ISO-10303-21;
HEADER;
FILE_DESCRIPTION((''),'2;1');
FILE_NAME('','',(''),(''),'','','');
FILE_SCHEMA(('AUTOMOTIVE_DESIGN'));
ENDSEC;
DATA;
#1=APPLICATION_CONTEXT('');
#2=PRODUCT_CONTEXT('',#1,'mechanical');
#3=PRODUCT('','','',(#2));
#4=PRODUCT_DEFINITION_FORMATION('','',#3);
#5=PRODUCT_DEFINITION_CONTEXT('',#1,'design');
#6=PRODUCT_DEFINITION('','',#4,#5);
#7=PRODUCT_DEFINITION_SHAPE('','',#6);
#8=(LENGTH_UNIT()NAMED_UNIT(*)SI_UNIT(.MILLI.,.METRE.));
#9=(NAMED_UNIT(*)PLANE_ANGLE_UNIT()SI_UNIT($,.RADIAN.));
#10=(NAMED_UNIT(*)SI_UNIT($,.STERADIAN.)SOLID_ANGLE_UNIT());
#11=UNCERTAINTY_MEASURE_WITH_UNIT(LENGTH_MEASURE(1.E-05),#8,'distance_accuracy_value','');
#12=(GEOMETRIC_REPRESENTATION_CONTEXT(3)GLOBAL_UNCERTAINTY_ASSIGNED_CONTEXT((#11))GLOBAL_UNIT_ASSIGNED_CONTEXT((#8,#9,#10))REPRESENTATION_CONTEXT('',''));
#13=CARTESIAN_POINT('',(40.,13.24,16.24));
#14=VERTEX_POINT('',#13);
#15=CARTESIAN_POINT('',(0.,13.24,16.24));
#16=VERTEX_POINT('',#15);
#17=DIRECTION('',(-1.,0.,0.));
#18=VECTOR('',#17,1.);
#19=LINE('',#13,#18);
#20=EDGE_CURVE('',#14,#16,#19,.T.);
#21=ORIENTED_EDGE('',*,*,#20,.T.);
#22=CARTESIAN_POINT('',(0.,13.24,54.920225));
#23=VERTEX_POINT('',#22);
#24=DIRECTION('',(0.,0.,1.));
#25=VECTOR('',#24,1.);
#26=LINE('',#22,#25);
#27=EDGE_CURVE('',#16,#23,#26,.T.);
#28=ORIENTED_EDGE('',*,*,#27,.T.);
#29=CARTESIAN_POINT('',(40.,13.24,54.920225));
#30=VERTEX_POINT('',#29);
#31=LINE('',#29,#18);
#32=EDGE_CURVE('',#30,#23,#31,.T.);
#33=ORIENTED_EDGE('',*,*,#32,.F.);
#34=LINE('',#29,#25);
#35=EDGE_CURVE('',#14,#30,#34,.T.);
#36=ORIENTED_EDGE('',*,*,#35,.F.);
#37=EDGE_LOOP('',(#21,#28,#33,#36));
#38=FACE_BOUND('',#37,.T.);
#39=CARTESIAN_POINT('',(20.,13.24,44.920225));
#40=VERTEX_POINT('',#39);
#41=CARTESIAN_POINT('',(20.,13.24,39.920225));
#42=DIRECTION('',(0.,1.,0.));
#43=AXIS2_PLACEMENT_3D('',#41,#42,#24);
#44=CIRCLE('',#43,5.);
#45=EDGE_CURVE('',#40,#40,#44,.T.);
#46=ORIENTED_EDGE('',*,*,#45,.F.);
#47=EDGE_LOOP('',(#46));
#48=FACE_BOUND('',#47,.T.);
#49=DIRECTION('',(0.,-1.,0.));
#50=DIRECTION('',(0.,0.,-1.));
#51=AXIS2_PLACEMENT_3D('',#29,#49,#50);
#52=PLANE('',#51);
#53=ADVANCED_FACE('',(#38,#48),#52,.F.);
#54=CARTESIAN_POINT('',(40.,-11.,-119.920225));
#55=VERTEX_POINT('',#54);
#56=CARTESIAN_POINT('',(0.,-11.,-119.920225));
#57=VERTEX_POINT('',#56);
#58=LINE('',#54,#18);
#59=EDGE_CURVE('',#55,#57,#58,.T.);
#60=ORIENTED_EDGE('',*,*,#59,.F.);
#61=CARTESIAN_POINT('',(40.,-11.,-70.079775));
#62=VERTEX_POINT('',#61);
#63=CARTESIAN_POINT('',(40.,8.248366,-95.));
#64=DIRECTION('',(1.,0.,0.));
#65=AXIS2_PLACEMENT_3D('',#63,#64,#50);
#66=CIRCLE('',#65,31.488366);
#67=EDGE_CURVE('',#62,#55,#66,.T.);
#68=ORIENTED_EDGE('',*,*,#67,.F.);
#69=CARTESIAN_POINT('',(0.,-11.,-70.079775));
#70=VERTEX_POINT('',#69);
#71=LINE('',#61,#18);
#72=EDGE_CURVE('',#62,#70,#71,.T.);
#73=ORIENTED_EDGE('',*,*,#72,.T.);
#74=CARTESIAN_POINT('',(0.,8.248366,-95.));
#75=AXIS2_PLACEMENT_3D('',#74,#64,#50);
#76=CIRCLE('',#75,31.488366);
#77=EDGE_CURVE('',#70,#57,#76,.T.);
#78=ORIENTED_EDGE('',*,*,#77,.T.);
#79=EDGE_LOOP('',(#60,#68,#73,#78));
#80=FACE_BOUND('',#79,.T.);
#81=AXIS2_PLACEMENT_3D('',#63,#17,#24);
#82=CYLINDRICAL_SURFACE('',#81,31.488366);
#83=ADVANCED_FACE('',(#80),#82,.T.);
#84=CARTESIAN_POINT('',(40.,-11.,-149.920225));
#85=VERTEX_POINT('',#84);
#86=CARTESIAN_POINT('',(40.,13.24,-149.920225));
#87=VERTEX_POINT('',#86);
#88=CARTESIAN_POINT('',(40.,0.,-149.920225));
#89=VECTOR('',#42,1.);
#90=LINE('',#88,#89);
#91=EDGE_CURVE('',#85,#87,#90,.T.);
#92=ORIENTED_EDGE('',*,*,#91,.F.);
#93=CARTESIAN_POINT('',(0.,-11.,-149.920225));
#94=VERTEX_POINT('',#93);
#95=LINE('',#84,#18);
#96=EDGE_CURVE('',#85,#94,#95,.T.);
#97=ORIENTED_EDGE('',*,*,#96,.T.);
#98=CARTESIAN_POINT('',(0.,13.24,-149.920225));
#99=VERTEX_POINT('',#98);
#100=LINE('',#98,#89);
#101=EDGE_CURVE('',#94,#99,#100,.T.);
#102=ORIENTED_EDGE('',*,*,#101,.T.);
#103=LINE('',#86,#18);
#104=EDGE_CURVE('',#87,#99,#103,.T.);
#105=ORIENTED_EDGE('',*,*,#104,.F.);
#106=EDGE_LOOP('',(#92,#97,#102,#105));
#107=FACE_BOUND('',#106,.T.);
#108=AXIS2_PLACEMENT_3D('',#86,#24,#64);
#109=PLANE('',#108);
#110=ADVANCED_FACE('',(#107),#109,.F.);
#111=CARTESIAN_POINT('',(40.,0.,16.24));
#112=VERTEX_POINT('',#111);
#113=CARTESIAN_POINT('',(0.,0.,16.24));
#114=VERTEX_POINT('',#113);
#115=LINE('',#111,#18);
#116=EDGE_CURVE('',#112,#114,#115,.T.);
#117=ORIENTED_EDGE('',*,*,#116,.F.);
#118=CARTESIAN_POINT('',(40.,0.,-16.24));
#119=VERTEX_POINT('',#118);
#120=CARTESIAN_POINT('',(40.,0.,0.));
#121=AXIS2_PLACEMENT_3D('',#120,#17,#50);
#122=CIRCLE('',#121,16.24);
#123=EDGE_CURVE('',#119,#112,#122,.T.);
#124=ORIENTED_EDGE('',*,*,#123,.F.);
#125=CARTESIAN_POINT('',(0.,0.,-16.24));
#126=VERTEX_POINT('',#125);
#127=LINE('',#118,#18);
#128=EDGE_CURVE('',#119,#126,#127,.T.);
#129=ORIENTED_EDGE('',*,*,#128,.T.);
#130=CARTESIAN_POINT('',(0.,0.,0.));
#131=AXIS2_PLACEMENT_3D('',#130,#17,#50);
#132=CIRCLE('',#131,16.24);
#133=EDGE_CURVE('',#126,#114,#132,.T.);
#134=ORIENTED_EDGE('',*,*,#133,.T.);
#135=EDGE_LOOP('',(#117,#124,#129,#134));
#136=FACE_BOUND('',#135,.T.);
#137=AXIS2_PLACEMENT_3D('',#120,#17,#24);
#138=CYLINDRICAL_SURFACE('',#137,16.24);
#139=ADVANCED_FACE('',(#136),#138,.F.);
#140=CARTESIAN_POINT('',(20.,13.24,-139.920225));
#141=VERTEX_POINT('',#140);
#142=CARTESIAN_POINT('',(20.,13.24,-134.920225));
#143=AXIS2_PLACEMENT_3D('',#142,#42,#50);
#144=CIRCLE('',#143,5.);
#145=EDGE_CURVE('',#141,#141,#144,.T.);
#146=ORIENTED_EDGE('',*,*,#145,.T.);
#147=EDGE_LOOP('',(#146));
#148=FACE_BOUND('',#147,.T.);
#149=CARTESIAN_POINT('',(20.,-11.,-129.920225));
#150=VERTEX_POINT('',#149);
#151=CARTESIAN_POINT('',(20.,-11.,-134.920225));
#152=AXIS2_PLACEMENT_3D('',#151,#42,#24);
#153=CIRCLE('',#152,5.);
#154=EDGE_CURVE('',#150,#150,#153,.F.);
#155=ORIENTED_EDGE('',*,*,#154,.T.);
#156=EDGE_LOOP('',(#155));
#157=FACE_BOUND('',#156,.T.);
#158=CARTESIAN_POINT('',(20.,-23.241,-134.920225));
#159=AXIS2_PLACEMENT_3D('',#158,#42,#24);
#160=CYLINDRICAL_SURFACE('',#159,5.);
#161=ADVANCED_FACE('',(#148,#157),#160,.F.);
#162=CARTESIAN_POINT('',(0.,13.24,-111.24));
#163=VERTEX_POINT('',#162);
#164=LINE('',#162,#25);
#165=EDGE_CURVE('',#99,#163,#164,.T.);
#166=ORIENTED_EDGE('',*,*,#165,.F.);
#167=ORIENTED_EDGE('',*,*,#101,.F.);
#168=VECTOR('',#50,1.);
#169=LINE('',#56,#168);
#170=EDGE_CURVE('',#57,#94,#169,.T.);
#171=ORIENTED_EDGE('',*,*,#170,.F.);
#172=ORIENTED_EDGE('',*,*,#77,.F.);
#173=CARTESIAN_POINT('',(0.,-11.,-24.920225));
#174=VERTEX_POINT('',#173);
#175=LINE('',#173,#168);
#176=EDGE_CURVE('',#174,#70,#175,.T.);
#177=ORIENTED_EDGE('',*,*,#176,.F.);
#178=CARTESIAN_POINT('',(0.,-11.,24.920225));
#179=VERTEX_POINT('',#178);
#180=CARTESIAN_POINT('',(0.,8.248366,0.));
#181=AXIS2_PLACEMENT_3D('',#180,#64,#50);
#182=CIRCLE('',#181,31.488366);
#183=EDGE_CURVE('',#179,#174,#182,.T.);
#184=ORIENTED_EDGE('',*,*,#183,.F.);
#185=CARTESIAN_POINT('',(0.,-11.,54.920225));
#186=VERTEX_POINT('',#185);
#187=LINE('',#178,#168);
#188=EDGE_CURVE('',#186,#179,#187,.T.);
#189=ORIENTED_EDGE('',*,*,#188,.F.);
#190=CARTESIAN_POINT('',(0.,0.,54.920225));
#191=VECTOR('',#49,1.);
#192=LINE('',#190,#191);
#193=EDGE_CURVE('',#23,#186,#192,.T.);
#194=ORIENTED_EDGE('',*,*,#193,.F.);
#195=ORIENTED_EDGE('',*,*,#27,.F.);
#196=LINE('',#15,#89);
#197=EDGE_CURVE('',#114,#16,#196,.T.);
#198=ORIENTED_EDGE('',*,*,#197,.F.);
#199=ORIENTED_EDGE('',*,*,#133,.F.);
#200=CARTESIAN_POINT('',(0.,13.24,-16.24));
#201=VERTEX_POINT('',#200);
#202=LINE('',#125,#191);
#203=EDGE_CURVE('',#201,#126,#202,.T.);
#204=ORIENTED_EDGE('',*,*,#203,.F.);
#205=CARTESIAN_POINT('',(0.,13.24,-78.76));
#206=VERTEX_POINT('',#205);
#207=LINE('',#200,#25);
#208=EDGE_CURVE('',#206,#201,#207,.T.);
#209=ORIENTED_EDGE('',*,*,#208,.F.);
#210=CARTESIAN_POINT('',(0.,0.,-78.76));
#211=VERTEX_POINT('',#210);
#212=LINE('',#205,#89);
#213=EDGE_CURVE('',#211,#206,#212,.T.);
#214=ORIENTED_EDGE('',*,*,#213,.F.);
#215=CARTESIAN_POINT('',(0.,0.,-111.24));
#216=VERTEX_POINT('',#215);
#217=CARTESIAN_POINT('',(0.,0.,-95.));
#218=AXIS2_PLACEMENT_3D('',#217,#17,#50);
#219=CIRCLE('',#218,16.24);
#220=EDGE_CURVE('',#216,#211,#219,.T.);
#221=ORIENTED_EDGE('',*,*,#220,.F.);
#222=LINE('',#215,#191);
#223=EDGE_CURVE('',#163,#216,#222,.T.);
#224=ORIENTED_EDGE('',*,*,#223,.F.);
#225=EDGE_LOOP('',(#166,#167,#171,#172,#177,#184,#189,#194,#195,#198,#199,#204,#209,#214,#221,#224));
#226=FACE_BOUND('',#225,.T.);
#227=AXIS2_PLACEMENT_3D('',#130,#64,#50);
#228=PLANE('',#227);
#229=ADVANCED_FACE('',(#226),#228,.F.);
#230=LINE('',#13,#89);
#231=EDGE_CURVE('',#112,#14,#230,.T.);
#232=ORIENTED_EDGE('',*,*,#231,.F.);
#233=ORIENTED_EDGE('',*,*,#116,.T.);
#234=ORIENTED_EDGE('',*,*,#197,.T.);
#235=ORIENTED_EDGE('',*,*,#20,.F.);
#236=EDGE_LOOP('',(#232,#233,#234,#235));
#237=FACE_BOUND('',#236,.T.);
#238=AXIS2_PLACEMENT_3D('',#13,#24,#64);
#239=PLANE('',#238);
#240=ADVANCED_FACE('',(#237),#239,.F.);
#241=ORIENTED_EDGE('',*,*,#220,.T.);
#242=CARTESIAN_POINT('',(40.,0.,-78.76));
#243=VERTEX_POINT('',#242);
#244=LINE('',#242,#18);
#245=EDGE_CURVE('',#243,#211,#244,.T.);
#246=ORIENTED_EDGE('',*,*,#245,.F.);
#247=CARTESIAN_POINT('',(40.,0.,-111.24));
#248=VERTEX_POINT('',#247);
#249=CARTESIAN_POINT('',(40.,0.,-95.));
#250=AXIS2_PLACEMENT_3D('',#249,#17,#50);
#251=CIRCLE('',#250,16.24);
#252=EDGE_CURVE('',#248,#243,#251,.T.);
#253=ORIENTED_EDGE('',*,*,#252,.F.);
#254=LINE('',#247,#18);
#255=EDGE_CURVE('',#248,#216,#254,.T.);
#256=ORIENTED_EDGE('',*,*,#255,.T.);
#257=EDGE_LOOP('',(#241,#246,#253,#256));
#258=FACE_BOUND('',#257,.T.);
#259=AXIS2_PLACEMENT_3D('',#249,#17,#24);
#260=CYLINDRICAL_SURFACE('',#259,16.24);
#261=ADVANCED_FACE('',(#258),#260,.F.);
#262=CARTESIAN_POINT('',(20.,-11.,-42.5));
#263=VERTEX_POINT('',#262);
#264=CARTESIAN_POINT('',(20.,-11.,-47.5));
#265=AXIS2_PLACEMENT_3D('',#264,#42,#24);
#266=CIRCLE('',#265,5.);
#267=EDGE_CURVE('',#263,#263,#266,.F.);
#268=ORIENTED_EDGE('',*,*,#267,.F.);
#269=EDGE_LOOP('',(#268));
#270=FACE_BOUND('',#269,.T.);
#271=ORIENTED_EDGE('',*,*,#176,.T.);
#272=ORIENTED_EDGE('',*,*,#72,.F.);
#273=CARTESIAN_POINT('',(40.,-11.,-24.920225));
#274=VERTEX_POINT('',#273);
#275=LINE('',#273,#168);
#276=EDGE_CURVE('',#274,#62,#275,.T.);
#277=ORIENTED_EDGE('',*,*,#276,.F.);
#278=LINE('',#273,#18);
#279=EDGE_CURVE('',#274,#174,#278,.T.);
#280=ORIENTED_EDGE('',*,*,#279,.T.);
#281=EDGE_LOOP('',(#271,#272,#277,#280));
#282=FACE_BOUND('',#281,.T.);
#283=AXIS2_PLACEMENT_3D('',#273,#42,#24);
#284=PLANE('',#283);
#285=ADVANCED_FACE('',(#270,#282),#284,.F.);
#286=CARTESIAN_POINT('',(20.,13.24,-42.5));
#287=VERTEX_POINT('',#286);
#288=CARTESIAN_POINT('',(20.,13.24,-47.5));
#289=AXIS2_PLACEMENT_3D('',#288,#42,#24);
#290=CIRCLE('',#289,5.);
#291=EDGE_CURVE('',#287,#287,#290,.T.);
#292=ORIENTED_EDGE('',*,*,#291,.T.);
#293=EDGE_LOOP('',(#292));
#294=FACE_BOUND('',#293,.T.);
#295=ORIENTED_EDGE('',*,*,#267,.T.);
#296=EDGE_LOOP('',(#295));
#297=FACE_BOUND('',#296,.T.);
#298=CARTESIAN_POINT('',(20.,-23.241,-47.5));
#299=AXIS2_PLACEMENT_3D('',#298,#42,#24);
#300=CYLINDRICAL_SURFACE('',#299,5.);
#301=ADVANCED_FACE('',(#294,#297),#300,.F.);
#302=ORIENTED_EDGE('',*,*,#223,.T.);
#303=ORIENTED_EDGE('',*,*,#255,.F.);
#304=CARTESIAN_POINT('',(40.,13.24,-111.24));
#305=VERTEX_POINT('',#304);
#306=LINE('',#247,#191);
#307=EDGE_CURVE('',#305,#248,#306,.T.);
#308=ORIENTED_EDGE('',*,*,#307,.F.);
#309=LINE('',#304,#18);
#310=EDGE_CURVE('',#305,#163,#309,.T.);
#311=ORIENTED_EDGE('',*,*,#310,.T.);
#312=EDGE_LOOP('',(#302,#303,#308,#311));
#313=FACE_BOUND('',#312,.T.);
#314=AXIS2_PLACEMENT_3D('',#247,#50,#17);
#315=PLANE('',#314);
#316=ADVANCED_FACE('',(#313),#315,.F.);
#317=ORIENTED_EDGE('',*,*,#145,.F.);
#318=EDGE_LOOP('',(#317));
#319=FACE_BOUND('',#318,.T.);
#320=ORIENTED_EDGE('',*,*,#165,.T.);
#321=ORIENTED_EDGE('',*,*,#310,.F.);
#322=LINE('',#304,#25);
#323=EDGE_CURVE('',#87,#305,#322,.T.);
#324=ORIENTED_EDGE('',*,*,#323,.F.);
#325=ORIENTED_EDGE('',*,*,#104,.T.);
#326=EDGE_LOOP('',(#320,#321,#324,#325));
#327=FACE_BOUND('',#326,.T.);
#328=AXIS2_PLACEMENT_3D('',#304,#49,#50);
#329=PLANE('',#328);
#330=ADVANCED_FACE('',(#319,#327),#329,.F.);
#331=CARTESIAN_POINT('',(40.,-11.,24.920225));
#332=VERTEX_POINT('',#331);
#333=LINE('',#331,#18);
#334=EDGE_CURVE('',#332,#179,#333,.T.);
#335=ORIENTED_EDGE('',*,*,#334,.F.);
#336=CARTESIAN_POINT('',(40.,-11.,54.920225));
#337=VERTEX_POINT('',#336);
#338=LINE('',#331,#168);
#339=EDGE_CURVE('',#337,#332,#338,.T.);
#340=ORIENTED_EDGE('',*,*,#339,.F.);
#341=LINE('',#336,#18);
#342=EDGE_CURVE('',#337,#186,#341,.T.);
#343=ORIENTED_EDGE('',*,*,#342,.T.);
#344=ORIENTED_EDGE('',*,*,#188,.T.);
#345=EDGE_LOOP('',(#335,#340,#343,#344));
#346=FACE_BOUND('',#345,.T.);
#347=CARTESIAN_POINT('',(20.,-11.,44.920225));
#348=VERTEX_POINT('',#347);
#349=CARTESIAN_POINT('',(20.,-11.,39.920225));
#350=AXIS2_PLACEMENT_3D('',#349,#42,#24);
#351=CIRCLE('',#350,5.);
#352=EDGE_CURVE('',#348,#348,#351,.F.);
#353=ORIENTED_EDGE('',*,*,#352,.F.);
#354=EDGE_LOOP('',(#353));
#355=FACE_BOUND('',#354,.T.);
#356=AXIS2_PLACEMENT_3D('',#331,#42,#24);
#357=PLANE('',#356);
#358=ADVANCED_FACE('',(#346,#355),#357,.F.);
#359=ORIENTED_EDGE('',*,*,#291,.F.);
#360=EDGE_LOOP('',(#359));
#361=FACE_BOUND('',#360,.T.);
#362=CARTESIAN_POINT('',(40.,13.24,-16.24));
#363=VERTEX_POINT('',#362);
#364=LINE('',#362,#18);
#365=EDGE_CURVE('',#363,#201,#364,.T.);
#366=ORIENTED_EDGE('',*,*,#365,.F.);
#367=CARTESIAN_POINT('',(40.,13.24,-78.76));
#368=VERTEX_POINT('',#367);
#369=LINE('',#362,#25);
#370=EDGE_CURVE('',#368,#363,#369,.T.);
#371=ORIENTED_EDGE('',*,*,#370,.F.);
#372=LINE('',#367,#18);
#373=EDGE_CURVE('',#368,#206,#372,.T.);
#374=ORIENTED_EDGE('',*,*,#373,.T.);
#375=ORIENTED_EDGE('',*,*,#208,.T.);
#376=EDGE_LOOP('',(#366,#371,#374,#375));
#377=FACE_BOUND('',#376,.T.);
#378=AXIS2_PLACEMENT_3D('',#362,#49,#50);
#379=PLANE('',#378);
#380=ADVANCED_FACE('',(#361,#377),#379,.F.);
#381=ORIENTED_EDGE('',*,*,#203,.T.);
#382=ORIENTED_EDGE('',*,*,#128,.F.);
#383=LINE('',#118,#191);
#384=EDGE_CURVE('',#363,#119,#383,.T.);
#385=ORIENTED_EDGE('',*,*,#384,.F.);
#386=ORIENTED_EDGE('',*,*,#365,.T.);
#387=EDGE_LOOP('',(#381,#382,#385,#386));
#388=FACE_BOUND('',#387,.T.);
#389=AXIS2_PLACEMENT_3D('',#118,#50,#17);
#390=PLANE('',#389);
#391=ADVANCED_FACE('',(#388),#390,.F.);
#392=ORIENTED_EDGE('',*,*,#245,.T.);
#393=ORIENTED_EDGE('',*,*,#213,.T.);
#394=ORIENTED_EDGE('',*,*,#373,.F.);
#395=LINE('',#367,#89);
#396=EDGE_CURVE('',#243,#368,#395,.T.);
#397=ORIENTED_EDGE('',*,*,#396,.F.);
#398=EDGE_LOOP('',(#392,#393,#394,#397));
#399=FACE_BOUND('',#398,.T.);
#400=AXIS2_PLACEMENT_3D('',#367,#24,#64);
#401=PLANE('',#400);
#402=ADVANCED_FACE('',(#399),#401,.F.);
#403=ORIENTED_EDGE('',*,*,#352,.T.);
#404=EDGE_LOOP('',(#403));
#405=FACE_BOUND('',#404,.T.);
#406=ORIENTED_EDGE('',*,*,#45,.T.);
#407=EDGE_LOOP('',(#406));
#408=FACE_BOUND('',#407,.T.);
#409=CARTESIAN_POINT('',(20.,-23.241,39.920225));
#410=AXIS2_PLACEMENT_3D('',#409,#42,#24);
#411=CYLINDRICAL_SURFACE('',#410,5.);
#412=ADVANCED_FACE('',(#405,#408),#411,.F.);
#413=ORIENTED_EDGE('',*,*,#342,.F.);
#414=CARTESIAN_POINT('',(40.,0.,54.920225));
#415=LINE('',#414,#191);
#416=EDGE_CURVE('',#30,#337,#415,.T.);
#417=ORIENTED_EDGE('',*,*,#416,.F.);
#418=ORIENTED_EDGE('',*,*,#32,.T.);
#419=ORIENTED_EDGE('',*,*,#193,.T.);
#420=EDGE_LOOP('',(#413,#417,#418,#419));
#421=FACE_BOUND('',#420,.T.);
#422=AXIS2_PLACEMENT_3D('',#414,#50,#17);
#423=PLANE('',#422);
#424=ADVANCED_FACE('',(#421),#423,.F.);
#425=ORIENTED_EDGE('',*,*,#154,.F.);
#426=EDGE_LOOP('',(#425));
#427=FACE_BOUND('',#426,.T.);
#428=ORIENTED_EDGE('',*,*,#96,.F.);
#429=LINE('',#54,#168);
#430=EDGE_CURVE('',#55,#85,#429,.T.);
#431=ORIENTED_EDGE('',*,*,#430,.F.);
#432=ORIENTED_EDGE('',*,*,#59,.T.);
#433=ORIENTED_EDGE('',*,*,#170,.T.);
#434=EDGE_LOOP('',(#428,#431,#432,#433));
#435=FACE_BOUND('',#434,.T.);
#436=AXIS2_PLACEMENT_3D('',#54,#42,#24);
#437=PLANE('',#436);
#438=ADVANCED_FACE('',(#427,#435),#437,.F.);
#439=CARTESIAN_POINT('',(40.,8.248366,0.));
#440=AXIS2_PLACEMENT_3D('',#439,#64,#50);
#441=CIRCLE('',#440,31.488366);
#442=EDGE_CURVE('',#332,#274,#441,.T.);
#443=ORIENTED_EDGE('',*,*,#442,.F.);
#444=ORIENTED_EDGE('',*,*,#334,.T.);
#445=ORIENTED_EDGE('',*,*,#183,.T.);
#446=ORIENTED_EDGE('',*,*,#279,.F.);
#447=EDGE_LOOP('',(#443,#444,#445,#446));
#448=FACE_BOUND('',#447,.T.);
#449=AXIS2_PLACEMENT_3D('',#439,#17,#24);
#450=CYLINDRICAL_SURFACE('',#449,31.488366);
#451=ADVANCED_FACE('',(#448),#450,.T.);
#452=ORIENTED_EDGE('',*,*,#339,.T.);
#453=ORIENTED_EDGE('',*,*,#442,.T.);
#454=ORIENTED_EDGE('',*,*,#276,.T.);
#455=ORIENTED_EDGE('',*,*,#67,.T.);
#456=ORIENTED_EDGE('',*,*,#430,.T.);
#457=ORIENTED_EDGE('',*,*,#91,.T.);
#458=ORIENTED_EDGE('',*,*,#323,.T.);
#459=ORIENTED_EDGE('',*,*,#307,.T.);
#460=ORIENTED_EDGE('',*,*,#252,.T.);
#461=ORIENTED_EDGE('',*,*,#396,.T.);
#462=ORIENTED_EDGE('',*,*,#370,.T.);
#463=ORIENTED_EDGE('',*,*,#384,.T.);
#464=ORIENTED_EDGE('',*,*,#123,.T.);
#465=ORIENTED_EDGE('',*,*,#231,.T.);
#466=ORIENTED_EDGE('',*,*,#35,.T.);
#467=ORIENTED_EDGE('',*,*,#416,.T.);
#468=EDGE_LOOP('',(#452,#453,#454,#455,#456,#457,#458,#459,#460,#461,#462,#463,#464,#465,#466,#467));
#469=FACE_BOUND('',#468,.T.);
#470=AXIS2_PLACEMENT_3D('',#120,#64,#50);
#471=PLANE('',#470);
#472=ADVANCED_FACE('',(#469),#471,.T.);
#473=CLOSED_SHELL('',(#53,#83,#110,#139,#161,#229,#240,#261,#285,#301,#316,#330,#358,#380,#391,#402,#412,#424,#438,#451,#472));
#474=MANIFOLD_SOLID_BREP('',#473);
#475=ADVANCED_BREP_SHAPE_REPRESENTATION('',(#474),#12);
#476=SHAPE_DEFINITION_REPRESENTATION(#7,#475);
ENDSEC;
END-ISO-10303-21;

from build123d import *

# Parameters (mm, degrees)
BOSS_EXTRUDE1_DEPTH = 40
CUT_EXTRUDE1_REACH  = 161.395
SKETCH3_R           = 5


with BuildPart() as part:
    # Sketch2 → Boss-Extrude1 (new body)
    with BuildSketch(Plane(origin=(0, 0, 0), x_dir=(0, 0, -1), z_dir=(1, 0, 0))):
        with BuildLine():
            Line((-24.920224718, -11), (-54.920224718, -11))
            Line((-54.920224718, -11), (-54.920224718, 0))
            Line((-54.920224718, 0), (-54.920224718, 13.24))
            Line((-54.920224718, 13.24), (-16.24, 13.24))
            Line((-16.24, 13.24), (-16.24, 0))
            ThreePointArc((-16.24, 0), (0, -16.24), (16.24, 0))
            Line((16.24, 0), (16.24, 13.24))
            Line((16.24, 13.24), (78.76, 13.24))
            Line((78.76, 13.24), (78.76, 0))
            ThreePointArc((78.76, 0), (95, -16.24), (111.24, 0))
            Line((111.24, 0), (111.24, 13.24))
            Line((111.24, 13.24), (149.920224718, 13.24))
            Line((149.920224718, 13.24), (149.920224718, 0))
            Line((149.920224718, 0), (149.920224718, -11))
            Line((149.920224718, -11), (119.920224718, -11))
            ThreePointArc((119.920224718, -11), (95, -23.24), (70.079775282, -11))
            Line((70.079775282, -11), (24.920224718, -11))
            ThreePointArc((24.920224718, -11), (0, -23.24), (-24.920224718, -11))
        make_face()
    extrude(amount=BOSS_EXTRUDE1_DEPTH)

    # Sketch3 → Cut-Extrude1 (cut, up to next)
    with BuildSketch(Plane(origin=(0, 13.24, 0), x_dir=(1, 0, 0), z_dir=(0, 1, 0)), mode=Mode.PRIVATE) as cut_extrude1_sk1:
        with Locations(Location((20, -39.920224718, 0), (0, 0, 270))):
            Circle(SKETCH3_R)
    cut_extrude1_tool1 = extrude(cut_extrude1_sk1.sketch, amount=-CUT_EXTRUDE1_REACH, mode=Mode.PRIVATE) & part.part
    # Sketch3 → Cut-Extrude1 (cut, up to next)
    with BuildSketch(Plane(origin=(0, 13.24, 0), x_dir=(1, 0, 0), z_dir=(0, 1, 0)), mode=Mode.PRIVATE) as cut_extrude1_sk2:
        with Locations(Location((20, 134.920224718, 0), (0, 0, 270))):
            Circle(SKETCH3_R)
    cut_extrude1_tool2 = extrude(cut_extrude1_sk2.sketch, amount=-CUT_EXTRUDE1_REACH, mode=Mode.PRIVATE) & part.part
    # Sketch3 → Cut-Extrude1 (cut, up to next)
    with BuildSketch(Plane(origin=(0, 13.24, 0), x_dir=(1, 0, 0), z_dir=(0, 1, 0)), mode=Mode.PRIVATE) as cut_extrude1_sk3:
        with Locations(Location((20, 47.5, 0), (0, 0, 270))):
            Circle(SKETCH3_R)
    cut_extrude1_tool3 = extrude(cut_extrude1_sk3.sketch, amount=-CUT_EXTRUDE1_REACH, mode=Mode.PRIVATE) & part.part
    add(cut_extrude1_tool1.solids().sort_by_distance((20, 13.24, 39.920225))[0], mode=Mode.SUBTRACT)
    add(cut_extrude1_tool2.solids().sort_by_distance((20, 13.24, -134.920225))[0], mode=Mode.SUBTRACT)
    add(cut_extrude1_tool3.solids().sort_by_distance((20, 13.24, -47.5))[0], mode=Mode.SUBTRACT)


solid = part.part
